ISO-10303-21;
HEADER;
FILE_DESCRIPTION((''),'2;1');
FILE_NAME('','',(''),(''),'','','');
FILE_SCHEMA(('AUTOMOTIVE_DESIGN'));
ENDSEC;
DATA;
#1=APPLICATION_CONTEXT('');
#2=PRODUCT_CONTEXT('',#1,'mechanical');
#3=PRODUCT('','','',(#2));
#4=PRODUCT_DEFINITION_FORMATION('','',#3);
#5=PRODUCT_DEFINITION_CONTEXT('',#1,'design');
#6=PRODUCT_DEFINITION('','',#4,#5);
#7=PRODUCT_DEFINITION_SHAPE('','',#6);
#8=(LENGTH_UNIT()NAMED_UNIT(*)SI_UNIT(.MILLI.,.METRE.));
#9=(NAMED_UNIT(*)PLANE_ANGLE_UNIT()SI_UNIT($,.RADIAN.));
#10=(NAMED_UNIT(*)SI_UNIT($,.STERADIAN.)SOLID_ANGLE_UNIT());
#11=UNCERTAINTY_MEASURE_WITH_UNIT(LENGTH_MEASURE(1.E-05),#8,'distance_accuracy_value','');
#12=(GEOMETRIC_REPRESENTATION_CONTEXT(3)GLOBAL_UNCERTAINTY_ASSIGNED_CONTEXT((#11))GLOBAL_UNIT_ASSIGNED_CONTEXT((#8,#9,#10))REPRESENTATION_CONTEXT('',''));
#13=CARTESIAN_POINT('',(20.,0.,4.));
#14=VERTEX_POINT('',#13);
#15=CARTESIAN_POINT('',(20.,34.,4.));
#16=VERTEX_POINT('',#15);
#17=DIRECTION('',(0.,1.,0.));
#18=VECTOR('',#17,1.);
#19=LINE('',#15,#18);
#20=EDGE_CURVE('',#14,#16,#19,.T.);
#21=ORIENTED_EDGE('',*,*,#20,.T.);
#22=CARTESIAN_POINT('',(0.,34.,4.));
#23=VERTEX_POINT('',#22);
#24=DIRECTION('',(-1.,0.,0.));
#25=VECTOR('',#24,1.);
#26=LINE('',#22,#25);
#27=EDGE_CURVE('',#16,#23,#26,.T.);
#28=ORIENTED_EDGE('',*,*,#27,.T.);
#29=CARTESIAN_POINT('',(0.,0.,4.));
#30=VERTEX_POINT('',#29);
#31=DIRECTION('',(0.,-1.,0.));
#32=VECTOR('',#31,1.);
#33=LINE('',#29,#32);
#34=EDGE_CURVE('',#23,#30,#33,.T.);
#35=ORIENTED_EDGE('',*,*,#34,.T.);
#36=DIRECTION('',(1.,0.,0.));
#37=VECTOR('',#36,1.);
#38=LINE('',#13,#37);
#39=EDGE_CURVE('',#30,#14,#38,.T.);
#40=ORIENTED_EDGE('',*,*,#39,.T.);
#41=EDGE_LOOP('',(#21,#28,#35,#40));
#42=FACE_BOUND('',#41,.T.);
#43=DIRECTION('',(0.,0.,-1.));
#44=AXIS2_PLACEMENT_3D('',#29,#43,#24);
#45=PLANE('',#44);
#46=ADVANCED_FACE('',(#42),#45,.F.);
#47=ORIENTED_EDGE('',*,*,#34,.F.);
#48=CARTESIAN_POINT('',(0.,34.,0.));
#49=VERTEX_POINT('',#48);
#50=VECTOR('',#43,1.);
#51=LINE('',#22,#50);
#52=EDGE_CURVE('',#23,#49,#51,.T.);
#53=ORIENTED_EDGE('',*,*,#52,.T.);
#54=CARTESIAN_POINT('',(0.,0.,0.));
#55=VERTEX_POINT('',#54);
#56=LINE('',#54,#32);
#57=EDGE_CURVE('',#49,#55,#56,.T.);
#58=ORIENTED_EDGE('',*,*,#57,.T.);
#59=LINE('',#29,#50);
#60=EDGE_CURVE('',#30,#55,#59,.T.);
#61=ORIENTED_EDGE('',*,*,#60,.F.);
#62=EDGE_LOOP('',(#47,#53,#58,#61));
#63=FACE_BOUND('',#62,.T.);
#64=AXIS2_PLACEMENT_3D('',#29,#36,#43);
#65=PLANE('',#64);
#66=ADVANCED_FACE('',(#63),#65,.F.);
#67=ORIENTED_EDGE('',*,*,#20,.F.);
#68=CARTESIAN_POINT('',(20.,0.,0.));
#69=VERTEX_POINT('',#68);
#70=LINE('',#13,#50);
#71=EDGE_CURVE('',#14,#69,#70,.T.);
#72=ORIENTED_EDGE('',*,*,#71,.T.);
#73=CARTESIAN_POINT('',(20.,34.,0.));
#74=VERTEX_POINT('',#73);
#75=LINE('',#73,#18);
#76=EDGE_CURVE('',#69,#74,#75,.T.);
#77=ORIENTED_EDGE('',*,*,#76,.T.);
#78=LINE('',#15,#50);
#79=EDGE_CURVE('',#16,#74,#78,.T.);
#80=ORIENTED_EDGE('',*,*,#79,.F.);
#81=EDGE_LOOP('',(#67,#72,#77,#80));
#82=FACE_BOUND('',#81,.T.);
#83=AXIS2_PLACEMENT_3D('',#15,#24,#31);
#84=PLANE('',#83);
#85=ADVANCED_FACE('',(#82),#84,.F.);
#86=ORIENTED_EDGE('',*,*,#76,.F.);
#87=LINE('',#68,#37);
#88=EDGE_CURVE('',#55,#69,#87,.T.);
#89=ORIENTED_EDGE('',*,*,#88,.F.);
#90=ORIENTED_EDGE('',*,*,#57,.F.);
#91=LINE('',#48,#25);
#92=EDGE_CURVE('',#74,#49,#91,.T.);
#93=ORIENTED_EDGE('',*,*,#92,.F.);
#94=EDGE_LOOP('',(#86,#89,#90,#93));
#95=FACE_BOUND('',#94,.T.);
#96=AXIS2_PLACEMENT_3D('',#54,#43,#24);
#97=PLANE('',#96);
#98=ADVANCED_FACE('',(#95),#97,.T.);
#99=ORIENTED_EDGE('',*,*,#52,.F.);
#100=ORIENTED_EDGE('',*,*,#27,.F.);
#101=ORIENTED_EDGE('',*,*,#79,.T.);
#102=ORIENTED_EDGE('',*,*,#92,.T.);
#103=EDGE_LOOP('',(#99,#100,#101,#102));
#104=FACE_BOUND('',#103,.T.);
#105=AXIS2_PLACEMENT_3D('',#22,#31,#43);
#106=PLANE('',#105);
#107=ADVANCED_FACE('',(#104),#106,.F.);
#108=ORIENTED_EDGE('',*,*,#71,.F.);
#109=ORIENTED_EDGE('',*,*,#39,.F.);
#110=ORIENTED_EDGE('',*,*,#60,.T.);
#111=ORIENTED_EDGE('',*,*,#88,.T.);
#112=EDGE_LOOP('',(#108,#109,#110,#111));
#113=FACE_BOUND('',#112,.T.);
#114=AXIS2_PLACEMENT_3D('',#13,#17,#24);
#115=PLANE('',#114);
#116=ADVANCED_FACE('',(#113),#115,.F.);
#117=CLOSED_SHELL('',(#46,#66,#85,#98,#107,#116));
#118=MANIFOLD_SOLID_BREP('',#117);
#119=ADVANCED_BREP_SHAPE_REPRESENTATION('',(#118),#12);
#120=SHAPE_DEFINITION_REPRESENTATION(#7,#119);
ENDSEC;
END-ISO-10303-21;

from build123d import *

# Parameters (mm, degrees)
SKETCH1_W        = 20
SKETCH1_H        = 34
JOINT_BODY_DEPTH = 4


with BuildPart() as part:
    # Sketch1 → Joint Body (new body)
    with BuildSketch(Plane.XY):
        with Locations((10, 17)):
            Rectangle(SKETCH1_W, SKETCH1_H)
    extrude(amount=JOINT_BODY_DEPTH)


solid = part.part
